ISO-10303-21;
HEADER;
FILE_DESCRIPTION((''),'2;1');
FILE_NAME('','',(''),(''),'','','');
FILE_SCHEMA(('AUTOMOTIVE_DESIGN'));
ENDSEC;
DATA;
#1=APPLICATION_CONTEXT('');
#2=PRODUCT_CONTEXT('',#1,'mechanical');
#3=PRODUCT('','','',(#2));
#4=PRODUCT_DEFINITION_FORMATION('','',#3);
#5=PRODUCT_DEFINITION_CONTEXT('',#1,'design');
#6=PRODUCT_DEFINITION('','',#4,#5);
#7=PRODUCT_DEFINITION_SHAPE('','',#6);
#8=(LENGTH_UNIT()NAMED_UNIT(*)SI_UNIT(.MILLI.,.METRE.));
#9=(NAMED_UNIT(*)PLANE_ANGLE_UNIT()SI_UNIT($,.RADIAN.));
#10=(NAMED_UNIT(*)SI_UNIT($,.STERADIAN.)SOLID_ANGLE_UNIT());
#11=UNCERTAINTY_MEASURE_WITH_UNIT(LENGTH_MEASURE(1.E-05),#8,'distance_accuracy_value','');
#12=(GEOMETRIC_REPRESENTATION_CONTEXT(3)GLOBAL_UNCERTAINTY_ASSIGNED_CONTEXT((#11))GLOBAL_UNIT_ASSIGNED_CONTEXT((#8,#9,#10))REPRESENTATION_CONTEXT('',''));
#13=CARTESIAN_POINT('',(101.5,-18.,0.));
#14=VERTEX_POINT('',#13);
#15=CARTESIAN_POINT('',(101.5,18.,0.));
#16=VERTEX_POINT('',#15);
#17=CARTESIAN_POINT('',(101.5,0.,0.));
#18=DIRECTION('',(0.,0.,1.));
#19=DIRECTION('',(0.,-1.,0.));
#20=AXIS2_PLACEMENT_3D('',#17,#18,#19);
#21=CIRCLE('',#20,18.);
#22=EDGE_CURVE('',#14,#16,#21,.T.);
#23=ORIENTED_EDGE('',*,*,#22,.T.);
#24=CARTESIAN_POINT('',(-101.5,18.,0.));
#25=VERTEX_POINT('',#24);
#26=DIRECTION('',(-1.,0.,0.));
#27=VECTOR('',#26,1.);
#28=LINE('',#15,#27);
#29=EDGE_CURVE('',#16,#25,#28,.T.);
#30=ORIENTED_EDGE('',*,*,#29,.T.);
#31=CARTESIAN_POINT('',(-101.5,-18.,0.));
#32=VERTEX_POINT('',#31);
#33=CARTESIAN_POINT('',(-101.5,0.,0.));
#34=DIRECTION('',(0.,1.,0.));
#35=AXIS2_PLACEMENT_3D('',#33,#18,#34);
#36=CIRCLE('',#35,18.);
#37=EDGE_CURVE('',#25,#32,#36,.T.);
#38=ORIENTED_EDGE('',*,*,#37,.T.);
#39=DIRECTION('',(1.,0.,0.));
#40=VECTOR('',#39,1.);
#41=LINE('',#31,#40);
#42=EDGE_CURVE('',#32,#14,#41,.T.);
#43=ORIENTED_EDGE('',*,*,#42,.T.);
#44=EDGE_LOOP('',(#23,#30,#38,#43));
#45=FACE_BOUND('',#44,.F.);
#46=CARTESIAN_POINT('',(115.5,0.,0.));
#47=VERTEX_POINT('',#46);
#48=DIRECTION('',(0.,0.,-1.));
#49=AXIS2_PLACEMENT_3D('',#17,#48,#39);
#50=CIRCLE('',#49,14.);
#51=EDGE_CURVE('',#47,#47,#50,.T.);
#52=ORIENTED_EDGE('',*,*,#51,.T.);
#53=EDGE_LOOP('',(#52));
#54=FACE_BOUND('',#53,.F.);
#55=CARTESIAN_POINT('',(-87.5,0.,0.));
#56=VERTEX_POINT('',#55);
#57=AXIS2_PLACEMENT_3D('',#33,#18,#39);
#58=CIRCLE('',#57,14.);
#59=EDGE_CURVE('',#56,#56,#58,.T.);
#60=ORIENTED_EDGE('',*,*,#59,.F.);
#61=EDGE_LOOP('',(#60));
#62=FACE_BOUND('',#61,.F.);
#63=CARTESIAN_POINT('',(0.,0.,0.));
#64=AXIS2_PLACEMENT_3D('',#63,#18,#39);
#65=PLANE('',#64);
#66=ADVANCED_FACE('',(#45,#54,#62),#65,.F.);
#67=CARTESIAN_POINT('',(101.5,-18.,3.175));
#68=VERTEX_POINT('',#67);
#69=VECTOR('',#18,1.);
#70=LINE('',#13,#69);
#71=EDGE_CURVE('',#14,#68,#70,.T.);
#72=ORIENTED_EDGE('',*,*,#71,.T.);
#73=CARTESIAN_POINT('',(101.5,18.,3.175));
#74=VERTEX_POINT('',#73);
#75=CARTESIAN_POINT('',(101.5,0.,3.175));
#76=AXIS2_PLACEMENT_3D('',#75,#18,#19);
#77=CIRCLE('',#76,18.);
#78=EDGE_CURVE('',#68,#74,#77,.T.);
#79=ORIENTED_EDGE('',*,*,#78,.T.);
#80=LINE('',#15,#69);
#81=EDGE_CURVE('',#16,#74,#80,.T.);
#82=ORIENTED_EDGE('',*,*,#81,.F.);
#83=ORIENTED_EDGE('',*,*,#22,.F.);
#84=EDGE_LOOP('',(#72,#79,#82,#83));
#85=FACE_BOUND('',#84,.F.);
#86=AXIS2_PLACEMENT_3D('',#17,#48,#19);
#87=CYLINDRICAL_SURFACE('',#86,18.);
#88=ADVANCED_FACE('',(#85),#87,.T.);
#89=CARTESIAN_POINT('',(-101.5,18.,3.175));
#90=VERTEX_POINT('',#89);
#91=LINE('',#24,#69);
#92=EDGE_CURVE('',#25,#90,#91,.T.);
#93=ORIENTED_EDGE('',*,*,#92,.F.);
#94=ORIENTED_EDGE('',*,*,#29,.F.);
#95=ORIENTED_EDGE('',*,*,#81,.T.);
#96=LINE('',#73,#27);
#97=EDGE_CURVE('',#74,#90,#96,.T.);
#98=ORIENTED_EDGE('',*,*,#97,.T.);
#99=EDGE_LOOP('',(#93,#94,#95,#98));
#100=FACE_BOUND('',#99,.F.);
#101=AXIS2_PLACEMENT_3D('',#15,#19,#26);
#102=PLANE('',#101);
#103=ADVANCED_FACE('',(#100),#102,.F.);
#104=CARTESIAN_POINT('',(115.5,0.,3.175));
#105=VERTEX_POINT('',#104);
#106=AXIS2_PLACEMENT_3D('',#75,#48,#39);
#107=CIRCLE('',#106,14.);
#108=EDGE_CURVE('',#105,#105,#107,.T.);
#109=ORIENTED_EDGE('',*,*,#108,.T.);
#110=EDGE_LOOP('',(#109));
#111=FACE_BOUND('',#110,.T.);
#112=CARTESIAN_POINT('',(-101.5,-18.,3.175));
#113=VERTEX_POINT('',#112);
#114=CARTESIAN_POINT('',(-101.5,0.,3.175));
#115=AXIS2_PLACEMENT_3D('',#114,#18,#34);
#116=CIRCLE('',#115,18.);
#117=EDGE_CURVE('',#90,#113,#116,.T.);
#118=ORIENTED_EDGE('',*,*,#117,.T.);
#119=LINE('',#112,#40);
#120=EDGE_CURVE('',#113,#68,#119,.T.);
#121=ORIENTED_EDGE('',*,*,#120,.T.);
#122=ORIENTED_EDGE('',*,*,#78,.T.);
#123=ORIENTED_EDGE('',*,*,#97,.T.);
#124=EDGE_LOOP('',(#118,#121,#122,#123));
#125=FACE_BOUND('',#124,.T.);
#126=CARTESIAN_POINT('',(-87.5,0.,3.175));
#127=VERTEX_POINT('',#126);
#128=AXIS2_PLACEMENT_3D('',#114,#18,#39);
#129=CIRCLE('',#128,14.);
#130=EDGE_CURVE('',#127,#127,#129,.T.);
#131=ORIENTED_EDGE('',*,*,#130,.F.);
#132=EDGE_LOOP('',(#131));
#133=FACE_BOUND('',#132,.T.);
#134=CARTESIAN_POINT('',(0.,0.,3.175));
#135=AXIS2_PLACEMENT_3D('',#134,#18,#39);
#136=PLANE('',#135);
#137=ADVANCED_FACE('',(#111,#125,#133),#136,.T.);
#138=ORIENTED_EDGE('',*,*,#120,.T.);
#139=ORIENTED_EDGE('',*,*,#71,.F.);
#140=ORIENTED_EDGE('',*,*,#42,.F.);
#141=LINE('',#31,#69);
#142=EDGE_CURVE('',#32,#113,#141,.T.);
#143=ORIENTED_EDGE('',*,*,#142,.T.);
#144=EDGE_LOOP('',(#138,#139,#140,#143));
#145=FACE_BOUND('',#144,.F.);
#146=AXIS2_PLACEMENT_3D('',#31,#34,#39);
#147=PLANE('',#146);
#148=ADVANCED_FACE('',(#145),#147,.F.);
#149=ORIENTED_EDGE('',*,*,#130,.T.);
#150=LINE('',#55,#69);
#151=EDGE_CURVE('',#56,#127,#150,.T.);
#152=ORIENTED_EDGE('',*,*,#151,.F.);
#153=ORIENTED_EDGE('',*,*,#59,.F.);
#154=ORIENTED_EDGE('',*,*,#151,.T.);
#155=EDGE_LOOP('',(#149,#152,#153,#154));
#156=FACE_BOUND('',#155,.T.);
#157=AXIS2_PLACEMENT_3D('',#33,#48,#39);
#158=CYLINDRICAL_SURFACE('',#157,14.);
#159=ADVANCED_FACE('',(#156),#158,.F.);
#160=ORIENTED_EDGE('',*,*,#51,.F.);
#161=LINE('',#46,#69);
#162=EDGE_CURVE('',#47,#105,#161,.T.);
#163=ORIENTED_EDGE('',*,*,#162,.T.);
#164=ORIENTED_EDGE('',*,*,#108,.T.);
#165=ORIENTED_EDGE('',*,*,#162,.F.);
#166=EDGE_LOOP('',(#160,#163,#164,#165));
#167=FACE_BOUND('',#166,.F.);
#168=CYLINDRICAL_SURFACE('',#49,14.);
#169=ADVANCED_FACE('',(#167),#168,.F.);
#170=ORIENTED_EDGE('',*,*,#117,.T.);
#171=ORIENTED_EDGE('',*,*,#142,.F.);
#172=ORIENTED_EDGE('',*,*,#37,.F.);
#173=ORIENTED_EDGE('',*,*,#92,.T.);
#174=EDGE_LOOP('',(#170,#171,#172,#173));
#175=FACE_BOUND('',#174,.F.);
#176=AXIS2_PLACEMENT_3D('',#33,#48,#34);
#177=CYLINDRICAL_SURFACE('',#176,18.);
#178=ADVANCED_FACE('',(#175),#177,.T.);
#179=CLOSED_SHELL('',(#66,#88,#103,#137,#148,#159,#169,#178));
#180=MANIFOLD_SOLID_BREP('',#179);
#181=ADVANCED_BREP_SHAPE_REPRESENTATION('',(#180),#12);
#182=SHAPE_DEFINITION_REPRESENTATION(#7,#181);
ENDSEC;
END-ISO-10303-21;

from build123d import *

# Parameters (mm, degrees)
F0_R     = 14
F1_DEPTH = 3.175


with BuildPart() as f1:
    # F0 (on Top) → F1 (new body)
    with BuildSketch(Plane.XY):
        with BuildLine():
            Line((101.5, 18), (87.5, 18))
            Line((87.5, 18), (-87.5, 18))
            Line((-87.5, 18), (-101.5, 18))
            ThreePointArc((-101.5, 18), (-119.5, 0), (-101.5, -18))
            Line((-101.5, -18), (-87.5, -18))
            Line((-87.5, -18), (87.5, -18))
            Line((87.5, -18), (101.5, -18))
            ThreePointArc((101.5, -18), (119.5, 0), (101.5, 18))
        make_face()
        with Locations((-101.5, 0)):
            Circle(F0_R, mode=Mode.SUBTRACT)
        with BuildLine():
            ThreePointArc((87.5, 0), (101.5, 14), (115.5, 0))
            ThreePointArc((115.5, 0), (101.5, -14), (87.5, 0))
        make_face(mode=Mode.SUBTRACT)
    extrude(amount=F1_DEPTH)


solid = f1.part
